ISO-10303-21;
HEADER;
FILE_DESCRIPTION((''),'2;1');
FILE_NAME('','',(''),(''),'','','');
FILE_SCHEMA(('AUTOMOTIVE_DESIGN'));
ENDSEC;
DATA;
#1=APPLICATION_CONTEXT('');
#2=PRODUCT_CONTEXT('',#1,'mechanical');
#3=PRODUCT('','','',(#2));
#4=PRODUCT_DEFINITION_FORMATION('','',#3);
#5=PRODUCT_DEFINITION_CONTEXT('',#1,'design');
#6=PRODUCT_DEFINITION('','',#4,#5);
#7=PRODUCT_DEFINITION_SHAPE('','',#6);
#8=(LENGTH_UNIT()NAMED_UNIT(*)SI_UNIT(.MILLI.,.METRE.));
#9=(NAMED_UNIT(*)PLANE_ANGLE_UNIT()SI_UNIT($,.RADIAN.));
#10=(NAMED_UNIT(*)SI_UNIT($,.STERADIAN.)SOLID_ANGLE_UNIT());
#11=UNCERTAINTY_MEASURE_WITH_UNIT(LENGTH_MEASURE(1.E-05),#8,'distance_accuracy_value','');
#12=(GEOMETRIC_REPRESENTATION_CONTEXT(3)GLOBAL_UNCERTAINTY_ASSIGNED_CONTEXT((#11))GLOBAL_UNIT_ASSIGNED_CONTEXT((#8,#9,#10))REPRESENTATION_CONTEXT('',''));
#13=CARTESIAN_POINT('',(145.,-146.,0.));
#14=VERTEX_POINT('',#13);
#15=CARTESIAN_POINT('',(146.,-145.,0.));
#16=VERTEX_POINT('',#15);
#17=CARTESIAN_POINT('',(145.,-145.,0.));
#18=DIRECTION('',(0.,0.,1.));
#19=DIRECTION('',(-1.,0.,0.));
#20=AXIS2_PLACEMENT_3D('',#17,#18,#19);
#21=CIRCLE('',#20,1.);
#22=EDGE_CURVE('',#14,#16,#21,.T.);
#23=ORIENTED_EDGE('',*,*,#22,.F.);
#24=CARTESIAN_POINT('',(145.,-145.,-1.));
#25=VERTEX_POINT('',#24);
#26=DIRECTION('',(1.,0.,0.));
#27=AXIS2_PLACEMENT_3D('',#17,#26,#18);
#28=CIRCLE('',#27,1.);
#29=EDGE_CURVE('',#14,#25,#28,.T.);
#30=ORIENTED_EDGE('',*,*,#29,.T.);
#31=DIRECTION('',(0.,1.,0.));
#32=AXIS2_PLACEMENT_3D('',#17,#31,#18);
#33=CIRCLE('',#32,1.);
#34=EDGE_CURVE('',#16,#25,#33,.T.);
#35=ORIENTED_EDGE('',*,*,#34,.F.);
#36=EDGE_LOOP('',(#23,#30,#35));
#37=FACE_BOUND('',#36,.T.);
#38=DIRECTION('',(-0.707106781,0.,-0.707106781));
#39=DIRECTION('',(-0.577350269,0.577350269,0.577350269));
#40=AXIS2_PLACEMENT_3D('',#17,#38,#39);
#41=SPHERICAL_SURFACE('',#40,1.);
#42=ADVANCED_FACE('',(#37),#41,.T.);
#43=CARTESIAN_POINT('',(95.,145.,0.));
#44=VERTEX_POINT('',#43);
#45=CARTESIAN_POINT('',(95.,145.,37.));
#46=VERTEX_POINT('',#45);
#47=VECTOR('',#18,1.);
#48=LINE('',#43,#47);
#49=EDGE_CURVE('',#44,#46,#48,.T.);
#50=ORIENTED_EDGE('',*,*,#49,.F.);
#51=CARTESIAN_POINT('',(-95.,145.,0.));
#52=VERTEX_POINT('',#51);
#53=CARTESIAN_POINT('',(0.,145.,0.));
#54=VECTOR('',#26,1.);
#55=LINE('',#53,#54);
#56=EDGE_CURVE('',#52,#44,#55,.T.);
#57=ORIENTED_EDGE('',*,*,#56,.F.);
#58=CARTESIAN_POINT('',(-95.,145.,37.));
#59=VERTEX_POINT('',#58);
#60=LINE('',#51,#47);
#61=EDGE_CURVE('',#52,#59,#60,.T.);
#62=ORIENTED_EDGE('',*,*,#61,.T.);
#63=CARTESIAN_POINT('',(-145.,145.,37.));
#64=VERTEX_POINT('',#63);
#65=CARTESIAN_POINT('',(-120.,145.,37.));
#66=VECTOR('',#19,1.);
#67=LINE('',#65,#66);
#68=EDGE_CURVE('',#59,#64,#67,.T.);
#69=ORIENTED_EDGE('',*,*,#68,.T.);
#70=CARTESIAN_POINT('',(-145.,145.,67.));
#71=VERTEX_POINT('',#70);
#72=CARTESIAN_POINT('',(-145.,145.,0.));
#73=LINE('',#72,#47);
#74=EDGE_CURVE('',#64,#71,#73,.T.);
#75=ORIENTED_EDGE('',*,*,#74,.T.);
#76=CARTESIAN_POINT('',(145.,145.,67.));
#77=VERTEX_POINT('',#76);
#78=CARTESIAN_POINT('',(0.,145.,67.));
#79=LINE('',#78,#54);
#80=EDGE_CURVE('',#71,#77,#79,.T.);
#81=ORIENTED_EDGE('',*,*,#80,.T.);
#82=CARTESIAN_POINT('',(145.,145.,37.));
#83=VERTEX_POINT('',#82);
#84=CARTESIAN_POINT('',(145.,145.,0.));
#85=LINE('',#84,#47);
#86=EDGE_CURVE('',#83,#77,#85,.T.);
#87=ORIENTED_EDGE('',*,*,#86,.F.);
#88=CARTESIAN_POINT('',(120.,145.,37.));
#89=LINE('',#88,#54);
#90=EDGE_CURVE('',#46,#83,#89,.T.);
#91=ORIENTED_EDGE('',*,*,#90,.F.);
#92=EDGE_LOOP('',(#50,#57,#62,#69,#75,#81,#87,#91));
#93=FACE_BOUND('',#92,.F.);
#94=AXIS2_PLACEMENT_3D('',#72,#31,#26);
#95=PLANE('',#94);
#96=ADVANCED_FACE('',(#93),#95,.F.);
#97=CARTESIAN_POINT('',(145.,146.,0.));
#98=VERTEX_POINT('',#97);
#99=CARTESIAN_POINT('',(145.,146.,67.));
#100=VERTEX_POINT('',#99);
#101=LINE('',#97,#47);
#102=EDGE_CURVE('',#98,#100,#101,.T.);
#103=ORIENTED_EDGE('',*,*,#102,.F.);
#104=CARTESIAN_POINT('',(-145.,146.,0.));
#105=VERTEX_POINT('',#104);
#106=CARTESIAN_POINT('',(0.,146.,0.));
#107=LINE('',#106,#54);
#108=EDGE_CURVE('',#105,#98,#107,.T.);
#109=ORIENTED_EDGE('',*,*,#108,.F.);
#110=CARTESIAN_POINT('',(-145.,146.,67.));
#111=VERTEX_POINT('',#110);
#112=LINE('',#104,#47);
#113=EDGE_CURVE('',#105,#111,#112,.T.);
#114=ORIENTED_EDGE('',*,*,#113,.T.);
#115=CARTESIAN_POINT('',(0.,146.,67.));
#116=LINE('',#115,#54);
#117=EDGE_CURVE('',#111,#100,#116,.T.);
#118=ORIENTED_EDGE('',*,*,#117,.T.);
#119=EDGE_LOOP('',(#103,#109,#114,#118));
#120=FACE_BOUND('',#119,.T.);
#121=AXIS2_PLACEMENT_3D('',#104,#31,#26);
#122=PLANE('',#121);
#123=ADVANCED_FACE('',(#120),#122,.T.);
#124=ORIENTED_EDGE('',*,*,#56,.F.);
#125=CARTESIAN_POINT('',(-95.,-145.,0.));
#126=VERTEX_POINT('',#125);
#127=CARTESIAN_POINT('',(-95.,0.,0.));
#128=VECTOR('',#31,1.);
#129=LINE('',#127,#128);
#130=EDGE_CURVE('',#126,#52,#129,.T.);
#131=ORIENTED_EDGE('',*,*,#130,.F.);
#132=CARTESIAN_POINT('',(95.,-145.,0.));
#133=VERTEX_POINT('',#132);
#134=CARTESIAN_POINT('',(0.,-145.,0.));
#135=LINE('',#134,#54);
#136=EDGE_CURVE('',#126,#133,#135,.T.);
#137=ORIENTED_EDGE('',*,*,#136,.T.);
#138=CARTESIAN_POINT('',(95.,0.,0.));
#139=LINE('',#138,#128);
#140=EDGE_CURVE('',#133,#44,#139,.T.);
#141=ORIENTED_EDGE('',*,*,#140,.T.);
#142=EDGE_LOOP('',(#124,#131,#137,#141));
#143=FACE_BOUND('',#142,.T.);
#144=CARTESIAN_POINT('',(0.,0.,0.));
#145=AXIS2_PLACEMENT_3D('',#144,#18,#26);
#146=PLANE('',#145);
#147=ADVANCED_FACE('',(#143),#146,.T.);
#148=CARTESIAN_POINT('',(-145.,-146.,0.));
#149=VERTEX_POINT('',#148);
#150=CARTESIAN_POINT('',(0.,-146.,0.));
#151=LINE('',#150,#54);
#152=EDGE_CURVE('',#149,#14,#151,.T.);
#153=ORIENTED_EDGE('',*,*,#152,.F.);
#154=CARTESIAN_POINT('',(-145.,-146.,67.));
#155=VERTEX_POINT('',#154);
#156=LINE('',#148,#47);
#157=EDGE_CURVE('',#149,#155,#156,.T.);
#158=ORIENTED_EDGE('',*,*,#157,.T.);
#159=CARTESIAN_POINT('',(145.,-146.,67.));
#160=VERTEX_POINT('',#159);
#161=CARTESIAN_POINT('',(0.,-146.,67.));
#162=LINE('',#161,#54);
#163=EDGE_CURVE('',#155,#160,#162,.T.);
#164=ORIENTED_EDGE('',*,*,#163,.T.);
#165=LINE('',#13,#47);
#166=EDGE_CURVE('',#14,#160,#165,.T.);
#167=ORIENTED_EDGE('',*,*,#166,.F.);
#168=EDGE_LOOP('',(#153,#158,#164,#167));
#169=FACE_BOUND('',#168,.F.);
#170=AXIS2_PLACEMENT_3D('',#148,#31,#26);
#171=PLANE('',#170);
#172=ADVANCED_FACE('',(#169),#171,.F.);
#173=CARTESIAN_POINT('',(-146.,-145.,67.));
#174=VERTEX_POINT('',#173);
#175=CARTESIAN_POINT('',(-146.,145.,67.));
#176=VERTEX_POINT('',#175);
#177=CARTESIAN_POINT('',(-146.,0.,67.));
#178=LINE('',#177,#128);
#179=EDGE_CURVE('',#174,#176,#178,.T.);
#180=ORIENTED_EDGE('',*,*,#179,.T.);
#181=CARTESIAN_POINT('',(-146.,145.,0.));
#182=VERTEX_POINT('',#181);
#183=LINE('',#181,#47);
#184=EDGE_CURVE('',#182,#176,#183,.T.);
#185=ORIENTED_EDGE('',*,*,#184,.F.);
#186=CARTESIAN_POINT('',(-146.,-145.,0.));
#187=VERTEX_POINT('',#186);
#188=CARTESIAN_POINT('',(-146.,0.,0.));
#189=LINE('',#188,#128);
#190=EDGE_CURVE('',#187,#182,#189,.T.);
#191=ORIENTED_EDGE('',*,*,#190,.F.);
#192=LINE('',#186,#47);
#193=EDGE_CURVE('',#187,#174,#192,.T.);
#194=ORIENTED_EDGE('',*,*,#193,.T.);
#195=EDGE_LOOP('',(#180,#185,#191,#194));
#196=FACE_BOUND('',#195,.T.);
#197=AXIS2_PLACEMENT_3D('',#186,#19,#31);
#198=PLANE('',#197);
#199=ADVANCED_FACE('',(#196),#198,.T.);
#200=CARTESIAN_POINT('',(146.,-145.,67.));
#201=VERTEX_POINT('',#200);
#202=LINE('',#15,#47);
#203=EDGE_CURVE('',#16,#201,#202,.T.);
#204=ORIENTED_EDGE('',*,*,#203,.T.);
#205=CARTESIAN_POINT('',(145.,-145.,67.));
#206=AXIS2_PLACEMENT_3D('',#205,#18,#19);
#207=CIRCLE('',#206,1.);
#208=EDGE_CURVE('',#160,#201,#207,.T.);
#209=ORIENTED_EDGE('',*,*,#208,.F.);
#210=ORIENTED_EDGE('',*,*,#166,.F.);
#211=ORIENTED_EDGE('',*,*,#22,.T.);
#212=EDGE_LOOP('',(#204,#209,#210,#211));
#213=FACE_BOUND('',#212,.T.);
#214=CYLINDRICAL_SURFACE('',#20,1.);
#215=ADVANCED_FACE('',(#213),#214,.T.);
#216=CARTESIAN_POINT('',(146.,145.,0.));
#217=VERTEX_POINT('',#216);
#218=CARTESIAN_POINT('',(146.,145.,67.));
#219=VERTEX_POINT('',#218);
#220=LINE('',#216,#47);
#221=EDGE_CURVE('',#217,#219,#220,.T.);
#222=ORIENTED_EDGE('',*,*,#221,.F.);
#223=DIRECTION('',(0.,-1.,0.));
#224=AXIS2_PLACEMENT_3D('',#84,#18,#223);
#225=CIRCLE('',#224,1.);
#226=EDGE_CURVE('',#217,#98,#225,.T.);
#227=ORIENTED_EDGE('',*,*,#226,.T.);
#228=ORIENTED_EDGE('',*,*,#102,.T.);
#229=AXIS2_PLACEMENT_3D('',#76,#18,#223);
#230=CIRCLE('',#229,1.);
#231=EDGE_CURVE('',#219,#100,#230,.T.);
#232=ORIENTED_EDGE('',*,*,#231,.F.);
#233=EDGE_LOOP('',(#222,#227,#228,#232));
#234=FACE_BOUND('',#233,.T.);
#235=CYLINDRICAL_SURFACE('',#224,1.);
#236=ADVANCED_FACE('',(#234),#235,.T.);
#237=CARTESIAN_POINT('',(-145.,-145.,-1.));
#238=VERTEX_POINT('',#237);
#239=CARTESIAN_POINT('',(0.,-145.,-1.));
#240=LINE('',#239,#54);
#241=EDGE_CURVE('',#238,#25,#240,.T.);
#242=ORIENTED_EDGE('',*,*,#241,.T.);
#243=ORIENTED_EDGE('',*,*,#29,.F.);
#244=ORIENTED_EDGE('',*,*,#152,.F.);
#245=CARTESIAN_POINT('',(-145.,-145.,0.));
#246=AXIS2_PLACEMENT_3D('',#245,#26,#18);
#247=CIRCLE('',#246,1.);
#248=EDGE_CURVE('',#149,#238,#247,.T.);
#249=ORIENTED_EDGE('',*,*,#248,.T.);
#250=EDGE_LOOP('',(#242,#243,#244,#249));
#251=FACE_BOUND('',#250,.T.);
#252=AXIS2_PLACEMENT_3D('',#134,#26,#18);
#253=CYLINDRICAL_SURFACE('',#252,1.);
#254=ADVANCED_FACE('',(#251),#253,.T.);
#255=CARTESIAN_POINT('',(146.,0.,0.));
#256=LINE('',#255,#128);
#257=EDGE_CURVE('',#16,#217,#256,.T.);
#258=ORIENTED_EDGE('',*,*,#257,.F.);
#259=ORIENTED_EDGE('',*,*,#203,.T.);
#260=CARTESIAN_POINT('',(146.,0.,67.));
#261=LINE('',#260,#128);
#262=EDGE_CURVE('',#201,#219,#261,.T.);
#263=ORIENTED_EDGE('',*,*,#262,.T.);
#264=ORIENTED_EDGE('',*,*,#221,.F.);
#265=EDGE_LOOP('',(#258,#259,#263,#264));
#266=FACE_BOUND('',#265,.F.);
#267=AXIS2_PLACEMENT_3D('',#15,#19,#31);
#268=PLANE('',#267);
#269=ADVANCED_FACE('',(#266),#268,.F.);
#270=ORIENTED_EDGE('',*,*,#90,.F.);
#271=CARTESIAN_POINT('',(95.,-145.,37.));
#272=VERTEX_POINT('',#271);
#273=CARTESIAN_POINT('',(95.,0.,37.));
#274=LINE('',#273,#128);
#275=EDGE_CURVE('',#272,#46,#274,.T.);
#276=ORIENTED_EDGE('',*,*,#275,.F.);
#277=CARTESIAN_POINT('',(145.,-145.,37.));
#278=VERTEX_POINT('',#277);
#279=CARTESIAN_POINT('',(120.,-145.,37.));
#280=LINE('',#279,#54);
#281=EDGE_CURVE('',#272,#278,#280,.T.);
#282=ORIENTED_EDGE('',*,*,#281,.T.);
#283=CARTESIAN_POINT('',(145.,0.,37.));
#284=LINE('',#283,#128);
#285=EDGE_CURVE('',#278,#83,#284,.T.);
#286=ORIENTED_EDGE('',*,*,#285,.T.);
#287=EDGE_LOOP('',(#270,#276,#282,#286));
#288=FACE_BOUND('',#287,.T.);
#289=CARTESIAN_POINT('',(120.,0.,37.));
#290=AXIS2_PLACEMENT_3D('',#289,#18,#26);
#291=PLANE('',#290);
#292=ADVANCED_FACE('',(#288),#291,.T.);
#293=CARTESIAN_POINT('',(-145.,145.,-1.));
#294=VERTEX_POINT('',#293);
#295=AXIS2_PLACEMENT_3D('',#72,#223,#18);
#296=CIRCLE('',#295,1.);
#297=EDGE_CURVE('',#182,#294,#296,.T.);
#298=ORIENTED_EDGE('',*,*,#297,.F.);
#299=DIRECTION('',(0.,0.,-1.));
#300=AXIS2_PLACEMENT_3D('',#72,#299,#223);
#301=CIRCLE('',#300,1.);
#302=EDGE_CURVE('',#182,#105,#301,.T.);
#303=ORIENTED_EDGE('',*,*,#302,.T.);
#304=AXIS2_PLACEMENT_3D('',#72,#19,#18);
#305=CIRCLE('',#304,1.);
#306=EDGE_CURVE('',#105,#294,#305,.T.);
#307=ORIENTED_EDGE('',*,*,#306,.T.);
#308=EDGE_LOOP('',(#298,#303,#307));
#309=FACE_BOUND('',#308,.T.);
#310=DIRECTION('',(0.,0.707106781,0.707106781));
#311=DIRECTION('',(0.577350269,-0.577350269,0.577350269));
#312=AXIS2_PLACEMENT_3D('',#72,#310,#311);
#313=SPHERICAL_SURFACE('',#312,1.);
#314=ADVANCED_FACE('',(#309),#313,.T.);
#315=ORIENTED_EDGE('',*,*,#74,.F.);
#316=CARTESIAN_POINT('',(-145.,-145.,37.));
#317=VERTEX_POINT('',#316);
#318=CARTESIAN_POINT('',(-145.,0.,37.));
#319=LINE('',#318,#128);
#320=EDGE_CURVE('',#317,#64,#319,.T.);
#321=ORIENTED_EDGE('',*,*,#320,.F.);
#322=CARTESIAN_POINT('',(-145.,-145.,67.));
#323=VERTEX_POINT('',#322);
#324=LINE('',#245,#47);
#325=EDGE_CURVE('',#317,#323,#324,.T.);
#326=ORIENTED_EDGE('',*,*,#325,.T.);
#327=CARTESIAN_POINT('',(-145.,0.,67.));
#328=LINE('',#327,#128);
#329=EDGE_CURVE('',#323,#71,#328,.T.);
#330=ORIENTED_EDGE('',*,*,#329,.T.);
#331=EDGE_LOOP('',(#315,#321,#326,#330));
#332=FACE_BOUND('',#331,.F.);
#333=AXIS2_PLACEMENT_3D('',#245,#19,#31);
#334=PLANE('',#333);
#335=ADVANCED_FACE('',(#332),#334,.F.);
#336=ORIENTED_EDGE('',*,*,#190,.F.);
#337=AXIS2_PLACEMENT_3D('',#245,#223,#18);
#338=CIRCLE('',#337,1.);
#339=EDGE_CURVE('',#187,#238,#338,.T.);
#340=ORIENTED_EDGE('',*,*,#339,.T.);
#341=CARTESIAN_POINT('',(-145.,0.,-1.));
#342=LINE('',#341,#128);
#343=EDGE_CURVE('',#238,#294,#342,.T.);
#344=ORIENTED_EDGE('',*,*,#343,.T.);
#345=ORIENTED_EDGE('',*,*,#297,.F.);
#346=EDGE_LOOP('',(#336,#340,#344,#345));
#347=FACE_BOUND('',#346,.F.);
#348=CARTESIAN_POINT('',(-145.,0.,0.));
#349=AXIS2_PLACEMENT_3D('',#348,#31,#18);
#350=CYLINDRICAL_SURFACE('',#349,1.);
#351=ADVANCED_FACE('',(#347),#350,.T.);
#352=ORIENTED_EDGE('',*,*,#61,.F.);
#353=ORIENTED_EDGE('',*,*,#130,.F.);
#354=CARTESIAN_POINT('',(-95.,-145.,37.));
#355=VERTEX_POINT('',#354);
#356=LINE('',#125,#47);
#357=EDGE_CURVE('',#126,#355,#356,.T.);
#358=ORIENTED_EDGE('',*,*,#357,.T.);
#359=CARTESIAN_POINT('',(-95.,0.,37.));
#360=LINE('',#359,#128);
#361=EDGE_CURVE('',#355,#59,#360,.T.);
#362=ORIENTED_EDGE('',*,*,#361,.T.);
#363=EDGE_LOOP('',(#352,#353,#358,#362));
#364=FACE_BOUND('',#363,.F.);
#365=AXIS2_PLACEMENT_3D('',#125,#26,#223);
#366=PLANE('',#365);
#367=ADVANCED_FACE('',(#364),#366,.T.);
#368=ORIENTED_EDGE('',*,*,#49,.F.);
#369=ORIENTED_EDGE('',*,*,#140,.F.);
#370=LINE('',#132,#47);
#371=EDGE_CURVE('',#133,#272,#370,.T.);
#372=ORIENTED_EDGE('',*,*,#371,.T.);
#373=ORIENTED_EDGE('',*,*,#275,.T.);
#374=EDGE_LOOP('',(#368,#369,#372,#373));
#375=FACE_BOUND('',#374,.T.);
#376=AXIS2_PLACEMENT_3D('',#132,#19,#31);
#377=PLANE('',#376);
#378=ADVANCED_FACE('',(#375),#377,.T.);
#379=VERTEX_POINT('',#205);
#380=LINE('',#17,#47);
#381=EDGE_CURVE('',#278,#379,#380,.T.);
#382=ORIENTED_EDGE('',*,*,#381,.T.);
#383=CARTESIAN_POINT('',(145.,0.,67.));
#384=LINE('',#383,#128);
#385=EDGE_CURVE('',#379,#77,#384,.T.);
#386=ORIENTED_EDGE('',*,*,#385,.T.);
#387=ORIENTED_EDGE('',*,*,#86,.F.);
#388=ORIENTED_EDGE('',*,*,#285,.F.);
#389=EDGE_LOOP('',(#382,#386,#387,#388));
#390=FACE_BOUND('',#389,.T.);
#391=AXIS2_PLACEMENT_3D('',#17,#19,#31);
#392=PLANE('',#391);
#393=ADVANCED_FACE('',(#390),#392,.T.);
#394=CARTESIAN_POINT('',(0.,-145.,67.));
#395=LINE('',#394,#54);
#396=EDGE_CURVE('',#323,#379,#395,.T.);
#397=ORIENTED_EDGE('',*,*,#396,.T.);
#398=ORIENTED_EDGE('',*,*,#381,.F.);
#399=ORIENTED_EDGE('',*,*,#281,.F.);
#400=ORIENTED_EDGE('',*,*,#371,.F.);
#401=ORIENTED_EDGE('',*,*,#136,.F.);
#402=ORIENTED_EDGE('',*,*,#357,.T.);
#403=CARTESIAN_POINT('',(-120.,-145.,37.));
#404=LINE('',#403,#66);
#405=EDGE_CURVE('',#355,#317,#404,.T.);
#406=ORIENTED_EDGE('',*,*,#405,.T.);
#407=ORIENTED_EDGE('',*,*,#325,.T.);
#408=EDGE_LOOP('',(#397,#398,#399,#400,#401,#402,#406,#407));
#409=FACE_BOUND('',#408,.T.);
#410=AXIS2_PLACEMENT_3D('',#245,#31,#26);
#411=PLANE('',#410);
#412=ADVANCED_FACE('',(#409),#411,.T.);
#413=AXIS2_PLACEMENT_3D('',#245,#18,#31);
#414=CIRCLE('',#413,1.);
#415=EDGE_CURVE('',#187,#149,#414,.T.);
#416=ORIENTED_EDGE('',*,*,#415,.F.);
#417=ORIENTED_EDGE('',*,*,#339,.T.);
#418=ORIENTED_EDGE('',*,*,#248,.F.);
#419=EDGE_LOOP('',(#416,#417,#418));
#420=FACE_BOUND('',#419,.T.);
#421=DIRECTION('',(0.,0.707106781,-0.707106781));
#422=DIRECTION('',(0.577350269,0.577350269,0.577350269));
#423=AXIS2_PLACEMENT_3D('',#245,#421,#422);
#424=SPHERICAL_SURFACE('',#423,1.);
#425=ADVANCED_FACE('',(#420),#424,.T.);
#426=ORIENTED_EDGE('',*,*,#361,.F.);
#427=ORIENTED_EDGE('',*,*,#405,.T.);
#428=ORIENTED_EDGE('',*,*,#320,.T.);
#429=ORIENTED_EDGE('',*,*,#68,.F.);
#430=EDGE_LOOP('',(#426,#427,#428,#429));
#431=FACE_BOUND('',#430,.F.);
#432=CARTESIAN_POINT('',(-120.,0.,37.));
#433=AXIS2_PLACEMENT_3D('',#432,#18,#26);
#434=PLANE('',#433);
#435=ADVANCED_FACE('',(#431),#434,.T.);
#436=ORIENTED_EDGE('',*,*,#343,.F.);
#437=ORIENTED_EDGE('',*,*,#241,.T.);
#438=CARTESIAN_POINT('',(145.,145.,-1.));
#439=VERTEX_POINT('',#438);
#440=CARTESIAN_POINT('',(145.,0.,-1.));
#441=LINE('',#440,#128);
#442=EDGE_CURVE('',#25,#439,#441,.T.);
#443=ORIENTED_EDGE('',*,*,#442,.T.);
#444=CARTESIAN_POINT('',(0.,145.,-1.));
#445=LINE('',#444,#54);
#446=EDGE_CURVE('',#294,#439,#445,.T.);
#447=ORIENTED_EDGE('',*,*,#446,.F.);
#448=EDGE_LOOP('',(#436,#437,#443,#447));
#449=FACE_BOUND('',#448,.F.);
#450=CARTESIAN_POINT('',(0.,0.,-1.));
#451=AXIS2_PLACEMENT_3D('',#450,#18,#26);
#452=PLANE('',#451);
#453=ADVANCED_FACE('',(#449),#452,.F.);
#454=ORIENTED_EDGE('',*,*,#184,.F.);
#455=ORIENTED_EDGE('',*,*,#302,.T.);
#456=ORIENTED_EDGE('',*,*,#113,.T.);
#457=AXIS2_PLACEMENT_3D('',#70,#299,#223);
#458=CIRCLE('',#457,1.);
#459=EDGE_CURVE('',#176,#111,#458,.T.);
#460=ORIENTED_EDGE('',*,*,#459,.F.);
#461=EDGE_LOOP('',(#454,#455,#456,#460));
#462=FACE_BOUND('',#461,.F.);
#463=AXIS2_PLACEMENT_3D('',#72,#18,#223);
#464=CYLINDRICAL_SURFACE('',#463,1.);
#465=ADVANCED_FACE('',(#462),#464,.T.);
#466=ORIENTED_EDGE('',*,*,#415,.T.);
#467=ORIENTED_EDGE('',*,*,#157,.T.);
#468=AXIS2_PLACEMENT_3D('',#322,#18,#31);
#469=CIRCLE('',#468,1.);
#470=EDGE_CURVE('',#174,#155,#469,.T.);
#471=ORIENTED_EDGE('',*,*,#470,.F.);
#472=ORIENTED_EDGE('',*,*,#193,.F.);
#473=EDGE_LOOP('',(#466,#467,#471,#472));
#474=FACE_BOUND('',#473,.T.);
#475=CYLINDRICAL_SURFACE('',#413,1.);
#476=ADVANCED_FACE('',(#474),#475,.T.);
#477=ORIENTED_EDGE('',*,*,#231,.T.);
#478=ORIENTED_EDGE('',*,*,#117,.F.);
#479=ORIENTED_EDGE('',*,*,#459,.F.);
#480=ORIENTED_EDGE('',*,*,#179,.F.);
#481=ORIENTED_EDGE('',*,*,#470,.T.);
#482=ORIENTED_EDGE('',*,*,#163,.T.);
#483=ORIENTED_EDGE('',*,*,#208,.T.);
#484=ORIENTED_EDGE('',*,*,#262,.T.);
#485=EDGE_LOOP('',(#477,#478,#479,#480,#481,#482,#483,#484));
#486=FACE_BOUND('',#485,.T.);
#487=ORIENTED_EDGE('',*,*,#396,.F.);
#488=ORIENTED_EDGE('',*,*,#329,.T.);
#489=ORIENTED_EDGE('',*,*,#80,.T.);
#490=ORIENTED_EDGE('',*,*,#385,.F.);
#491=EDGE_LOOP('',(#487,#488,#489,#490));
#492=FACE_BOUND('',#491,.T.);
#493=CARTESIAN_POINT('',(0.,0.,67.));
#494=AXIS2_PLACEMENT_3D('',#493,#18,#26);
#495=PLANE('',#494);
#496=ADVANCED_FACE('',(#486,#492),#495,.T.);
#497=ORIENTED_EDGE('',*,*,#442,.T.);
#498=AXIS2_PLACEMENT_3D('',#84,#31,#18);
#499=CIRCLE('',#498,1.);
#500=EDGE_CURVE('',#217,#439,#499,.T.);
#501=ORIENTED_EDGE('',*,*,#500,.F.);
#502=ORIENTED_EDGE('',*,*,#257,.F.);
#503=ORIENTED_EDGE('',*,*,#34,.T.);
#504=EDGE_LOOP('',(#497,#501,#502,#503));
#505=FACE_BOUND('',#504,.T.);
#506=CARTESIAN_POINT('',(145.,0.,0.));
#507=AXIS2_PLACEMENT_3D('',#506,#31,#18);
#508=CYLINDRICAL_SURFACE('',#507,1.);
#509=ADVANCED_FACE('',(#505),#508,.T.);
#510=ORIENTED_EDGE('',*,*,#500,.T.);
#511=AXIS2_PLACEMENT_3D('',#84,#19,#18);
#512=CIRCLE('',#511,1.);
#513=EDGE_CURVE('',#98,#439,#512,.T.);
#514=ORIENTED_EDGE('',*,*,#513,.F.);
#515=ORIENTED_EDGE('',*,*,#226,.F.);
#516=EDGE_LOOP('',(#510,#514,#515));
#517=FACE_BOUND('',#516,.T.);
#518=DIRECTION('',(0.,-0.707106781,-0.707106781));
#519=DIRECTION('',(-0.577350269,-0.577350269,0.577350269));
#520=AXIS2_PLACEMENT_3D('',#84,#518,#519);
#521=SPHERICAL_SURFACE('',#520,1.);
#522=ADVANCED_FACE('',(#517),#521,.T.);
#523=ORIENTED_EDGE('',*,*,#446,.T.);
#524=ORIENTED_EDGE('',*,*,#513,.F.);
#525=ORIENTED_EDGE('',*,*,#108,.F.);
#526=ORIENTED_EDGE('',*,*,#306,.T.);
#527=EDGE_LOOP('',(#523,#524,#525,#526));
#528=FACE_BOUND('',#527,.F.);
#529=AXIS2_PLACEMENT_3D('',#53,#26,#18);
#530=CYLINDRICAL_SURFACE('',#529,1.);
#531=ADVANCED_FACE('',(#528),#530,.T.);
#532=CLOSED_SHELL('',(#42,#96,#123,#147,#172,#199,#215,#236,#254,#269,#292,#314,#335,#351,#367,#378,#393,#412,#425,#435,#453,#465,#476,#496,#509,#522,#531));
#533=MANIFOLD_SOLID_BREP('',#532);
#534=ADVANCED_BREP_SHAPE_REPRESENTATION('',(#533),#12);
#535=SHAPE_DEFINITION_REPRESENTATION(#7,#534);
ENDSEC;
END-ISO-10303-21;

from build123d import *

# Parameters (mm, degrees)
SKETCH_W     = 290
SKETCH_H     = 290
PAD_DEPTH    = 67
THICKNESS_T  = 1
SKETCH001_W  = 50
SKETCH001_H  = 290
PAD001_DEPTH = 37


with BuildPart() as part:
    # Sketch → Pad (new body)
    with BuildSketch(Plane.XY):
        Rectangle(SKETCH_W, SKETCH_H)
    extrude(amount=PAD_DEPTH)

    # Thickness
    thickness_openings = [part.faces().sort_by_distance(p)[0] for p in [
        (0, 0, 67),
    ]]
    offset(amount=THICKNESS_T, openings=thickness_openings)

    # Sketch001 (on Face5 of Thickness) → Pad001 (join)
    with BuildSketch(Plane(origin=(120, 0, 0), x_dir=(1, 0, 0), z_dir=(0, 0, 1))):
        Rectangle(SKETCH001_W, SKETCH001_H)
    pad001 = extrude(amount=PAD001_DEPTH)

    # Mirrored: Pad001 across YZ
    add(pad001.mirror(Plane.YZ))


solid = part.part
